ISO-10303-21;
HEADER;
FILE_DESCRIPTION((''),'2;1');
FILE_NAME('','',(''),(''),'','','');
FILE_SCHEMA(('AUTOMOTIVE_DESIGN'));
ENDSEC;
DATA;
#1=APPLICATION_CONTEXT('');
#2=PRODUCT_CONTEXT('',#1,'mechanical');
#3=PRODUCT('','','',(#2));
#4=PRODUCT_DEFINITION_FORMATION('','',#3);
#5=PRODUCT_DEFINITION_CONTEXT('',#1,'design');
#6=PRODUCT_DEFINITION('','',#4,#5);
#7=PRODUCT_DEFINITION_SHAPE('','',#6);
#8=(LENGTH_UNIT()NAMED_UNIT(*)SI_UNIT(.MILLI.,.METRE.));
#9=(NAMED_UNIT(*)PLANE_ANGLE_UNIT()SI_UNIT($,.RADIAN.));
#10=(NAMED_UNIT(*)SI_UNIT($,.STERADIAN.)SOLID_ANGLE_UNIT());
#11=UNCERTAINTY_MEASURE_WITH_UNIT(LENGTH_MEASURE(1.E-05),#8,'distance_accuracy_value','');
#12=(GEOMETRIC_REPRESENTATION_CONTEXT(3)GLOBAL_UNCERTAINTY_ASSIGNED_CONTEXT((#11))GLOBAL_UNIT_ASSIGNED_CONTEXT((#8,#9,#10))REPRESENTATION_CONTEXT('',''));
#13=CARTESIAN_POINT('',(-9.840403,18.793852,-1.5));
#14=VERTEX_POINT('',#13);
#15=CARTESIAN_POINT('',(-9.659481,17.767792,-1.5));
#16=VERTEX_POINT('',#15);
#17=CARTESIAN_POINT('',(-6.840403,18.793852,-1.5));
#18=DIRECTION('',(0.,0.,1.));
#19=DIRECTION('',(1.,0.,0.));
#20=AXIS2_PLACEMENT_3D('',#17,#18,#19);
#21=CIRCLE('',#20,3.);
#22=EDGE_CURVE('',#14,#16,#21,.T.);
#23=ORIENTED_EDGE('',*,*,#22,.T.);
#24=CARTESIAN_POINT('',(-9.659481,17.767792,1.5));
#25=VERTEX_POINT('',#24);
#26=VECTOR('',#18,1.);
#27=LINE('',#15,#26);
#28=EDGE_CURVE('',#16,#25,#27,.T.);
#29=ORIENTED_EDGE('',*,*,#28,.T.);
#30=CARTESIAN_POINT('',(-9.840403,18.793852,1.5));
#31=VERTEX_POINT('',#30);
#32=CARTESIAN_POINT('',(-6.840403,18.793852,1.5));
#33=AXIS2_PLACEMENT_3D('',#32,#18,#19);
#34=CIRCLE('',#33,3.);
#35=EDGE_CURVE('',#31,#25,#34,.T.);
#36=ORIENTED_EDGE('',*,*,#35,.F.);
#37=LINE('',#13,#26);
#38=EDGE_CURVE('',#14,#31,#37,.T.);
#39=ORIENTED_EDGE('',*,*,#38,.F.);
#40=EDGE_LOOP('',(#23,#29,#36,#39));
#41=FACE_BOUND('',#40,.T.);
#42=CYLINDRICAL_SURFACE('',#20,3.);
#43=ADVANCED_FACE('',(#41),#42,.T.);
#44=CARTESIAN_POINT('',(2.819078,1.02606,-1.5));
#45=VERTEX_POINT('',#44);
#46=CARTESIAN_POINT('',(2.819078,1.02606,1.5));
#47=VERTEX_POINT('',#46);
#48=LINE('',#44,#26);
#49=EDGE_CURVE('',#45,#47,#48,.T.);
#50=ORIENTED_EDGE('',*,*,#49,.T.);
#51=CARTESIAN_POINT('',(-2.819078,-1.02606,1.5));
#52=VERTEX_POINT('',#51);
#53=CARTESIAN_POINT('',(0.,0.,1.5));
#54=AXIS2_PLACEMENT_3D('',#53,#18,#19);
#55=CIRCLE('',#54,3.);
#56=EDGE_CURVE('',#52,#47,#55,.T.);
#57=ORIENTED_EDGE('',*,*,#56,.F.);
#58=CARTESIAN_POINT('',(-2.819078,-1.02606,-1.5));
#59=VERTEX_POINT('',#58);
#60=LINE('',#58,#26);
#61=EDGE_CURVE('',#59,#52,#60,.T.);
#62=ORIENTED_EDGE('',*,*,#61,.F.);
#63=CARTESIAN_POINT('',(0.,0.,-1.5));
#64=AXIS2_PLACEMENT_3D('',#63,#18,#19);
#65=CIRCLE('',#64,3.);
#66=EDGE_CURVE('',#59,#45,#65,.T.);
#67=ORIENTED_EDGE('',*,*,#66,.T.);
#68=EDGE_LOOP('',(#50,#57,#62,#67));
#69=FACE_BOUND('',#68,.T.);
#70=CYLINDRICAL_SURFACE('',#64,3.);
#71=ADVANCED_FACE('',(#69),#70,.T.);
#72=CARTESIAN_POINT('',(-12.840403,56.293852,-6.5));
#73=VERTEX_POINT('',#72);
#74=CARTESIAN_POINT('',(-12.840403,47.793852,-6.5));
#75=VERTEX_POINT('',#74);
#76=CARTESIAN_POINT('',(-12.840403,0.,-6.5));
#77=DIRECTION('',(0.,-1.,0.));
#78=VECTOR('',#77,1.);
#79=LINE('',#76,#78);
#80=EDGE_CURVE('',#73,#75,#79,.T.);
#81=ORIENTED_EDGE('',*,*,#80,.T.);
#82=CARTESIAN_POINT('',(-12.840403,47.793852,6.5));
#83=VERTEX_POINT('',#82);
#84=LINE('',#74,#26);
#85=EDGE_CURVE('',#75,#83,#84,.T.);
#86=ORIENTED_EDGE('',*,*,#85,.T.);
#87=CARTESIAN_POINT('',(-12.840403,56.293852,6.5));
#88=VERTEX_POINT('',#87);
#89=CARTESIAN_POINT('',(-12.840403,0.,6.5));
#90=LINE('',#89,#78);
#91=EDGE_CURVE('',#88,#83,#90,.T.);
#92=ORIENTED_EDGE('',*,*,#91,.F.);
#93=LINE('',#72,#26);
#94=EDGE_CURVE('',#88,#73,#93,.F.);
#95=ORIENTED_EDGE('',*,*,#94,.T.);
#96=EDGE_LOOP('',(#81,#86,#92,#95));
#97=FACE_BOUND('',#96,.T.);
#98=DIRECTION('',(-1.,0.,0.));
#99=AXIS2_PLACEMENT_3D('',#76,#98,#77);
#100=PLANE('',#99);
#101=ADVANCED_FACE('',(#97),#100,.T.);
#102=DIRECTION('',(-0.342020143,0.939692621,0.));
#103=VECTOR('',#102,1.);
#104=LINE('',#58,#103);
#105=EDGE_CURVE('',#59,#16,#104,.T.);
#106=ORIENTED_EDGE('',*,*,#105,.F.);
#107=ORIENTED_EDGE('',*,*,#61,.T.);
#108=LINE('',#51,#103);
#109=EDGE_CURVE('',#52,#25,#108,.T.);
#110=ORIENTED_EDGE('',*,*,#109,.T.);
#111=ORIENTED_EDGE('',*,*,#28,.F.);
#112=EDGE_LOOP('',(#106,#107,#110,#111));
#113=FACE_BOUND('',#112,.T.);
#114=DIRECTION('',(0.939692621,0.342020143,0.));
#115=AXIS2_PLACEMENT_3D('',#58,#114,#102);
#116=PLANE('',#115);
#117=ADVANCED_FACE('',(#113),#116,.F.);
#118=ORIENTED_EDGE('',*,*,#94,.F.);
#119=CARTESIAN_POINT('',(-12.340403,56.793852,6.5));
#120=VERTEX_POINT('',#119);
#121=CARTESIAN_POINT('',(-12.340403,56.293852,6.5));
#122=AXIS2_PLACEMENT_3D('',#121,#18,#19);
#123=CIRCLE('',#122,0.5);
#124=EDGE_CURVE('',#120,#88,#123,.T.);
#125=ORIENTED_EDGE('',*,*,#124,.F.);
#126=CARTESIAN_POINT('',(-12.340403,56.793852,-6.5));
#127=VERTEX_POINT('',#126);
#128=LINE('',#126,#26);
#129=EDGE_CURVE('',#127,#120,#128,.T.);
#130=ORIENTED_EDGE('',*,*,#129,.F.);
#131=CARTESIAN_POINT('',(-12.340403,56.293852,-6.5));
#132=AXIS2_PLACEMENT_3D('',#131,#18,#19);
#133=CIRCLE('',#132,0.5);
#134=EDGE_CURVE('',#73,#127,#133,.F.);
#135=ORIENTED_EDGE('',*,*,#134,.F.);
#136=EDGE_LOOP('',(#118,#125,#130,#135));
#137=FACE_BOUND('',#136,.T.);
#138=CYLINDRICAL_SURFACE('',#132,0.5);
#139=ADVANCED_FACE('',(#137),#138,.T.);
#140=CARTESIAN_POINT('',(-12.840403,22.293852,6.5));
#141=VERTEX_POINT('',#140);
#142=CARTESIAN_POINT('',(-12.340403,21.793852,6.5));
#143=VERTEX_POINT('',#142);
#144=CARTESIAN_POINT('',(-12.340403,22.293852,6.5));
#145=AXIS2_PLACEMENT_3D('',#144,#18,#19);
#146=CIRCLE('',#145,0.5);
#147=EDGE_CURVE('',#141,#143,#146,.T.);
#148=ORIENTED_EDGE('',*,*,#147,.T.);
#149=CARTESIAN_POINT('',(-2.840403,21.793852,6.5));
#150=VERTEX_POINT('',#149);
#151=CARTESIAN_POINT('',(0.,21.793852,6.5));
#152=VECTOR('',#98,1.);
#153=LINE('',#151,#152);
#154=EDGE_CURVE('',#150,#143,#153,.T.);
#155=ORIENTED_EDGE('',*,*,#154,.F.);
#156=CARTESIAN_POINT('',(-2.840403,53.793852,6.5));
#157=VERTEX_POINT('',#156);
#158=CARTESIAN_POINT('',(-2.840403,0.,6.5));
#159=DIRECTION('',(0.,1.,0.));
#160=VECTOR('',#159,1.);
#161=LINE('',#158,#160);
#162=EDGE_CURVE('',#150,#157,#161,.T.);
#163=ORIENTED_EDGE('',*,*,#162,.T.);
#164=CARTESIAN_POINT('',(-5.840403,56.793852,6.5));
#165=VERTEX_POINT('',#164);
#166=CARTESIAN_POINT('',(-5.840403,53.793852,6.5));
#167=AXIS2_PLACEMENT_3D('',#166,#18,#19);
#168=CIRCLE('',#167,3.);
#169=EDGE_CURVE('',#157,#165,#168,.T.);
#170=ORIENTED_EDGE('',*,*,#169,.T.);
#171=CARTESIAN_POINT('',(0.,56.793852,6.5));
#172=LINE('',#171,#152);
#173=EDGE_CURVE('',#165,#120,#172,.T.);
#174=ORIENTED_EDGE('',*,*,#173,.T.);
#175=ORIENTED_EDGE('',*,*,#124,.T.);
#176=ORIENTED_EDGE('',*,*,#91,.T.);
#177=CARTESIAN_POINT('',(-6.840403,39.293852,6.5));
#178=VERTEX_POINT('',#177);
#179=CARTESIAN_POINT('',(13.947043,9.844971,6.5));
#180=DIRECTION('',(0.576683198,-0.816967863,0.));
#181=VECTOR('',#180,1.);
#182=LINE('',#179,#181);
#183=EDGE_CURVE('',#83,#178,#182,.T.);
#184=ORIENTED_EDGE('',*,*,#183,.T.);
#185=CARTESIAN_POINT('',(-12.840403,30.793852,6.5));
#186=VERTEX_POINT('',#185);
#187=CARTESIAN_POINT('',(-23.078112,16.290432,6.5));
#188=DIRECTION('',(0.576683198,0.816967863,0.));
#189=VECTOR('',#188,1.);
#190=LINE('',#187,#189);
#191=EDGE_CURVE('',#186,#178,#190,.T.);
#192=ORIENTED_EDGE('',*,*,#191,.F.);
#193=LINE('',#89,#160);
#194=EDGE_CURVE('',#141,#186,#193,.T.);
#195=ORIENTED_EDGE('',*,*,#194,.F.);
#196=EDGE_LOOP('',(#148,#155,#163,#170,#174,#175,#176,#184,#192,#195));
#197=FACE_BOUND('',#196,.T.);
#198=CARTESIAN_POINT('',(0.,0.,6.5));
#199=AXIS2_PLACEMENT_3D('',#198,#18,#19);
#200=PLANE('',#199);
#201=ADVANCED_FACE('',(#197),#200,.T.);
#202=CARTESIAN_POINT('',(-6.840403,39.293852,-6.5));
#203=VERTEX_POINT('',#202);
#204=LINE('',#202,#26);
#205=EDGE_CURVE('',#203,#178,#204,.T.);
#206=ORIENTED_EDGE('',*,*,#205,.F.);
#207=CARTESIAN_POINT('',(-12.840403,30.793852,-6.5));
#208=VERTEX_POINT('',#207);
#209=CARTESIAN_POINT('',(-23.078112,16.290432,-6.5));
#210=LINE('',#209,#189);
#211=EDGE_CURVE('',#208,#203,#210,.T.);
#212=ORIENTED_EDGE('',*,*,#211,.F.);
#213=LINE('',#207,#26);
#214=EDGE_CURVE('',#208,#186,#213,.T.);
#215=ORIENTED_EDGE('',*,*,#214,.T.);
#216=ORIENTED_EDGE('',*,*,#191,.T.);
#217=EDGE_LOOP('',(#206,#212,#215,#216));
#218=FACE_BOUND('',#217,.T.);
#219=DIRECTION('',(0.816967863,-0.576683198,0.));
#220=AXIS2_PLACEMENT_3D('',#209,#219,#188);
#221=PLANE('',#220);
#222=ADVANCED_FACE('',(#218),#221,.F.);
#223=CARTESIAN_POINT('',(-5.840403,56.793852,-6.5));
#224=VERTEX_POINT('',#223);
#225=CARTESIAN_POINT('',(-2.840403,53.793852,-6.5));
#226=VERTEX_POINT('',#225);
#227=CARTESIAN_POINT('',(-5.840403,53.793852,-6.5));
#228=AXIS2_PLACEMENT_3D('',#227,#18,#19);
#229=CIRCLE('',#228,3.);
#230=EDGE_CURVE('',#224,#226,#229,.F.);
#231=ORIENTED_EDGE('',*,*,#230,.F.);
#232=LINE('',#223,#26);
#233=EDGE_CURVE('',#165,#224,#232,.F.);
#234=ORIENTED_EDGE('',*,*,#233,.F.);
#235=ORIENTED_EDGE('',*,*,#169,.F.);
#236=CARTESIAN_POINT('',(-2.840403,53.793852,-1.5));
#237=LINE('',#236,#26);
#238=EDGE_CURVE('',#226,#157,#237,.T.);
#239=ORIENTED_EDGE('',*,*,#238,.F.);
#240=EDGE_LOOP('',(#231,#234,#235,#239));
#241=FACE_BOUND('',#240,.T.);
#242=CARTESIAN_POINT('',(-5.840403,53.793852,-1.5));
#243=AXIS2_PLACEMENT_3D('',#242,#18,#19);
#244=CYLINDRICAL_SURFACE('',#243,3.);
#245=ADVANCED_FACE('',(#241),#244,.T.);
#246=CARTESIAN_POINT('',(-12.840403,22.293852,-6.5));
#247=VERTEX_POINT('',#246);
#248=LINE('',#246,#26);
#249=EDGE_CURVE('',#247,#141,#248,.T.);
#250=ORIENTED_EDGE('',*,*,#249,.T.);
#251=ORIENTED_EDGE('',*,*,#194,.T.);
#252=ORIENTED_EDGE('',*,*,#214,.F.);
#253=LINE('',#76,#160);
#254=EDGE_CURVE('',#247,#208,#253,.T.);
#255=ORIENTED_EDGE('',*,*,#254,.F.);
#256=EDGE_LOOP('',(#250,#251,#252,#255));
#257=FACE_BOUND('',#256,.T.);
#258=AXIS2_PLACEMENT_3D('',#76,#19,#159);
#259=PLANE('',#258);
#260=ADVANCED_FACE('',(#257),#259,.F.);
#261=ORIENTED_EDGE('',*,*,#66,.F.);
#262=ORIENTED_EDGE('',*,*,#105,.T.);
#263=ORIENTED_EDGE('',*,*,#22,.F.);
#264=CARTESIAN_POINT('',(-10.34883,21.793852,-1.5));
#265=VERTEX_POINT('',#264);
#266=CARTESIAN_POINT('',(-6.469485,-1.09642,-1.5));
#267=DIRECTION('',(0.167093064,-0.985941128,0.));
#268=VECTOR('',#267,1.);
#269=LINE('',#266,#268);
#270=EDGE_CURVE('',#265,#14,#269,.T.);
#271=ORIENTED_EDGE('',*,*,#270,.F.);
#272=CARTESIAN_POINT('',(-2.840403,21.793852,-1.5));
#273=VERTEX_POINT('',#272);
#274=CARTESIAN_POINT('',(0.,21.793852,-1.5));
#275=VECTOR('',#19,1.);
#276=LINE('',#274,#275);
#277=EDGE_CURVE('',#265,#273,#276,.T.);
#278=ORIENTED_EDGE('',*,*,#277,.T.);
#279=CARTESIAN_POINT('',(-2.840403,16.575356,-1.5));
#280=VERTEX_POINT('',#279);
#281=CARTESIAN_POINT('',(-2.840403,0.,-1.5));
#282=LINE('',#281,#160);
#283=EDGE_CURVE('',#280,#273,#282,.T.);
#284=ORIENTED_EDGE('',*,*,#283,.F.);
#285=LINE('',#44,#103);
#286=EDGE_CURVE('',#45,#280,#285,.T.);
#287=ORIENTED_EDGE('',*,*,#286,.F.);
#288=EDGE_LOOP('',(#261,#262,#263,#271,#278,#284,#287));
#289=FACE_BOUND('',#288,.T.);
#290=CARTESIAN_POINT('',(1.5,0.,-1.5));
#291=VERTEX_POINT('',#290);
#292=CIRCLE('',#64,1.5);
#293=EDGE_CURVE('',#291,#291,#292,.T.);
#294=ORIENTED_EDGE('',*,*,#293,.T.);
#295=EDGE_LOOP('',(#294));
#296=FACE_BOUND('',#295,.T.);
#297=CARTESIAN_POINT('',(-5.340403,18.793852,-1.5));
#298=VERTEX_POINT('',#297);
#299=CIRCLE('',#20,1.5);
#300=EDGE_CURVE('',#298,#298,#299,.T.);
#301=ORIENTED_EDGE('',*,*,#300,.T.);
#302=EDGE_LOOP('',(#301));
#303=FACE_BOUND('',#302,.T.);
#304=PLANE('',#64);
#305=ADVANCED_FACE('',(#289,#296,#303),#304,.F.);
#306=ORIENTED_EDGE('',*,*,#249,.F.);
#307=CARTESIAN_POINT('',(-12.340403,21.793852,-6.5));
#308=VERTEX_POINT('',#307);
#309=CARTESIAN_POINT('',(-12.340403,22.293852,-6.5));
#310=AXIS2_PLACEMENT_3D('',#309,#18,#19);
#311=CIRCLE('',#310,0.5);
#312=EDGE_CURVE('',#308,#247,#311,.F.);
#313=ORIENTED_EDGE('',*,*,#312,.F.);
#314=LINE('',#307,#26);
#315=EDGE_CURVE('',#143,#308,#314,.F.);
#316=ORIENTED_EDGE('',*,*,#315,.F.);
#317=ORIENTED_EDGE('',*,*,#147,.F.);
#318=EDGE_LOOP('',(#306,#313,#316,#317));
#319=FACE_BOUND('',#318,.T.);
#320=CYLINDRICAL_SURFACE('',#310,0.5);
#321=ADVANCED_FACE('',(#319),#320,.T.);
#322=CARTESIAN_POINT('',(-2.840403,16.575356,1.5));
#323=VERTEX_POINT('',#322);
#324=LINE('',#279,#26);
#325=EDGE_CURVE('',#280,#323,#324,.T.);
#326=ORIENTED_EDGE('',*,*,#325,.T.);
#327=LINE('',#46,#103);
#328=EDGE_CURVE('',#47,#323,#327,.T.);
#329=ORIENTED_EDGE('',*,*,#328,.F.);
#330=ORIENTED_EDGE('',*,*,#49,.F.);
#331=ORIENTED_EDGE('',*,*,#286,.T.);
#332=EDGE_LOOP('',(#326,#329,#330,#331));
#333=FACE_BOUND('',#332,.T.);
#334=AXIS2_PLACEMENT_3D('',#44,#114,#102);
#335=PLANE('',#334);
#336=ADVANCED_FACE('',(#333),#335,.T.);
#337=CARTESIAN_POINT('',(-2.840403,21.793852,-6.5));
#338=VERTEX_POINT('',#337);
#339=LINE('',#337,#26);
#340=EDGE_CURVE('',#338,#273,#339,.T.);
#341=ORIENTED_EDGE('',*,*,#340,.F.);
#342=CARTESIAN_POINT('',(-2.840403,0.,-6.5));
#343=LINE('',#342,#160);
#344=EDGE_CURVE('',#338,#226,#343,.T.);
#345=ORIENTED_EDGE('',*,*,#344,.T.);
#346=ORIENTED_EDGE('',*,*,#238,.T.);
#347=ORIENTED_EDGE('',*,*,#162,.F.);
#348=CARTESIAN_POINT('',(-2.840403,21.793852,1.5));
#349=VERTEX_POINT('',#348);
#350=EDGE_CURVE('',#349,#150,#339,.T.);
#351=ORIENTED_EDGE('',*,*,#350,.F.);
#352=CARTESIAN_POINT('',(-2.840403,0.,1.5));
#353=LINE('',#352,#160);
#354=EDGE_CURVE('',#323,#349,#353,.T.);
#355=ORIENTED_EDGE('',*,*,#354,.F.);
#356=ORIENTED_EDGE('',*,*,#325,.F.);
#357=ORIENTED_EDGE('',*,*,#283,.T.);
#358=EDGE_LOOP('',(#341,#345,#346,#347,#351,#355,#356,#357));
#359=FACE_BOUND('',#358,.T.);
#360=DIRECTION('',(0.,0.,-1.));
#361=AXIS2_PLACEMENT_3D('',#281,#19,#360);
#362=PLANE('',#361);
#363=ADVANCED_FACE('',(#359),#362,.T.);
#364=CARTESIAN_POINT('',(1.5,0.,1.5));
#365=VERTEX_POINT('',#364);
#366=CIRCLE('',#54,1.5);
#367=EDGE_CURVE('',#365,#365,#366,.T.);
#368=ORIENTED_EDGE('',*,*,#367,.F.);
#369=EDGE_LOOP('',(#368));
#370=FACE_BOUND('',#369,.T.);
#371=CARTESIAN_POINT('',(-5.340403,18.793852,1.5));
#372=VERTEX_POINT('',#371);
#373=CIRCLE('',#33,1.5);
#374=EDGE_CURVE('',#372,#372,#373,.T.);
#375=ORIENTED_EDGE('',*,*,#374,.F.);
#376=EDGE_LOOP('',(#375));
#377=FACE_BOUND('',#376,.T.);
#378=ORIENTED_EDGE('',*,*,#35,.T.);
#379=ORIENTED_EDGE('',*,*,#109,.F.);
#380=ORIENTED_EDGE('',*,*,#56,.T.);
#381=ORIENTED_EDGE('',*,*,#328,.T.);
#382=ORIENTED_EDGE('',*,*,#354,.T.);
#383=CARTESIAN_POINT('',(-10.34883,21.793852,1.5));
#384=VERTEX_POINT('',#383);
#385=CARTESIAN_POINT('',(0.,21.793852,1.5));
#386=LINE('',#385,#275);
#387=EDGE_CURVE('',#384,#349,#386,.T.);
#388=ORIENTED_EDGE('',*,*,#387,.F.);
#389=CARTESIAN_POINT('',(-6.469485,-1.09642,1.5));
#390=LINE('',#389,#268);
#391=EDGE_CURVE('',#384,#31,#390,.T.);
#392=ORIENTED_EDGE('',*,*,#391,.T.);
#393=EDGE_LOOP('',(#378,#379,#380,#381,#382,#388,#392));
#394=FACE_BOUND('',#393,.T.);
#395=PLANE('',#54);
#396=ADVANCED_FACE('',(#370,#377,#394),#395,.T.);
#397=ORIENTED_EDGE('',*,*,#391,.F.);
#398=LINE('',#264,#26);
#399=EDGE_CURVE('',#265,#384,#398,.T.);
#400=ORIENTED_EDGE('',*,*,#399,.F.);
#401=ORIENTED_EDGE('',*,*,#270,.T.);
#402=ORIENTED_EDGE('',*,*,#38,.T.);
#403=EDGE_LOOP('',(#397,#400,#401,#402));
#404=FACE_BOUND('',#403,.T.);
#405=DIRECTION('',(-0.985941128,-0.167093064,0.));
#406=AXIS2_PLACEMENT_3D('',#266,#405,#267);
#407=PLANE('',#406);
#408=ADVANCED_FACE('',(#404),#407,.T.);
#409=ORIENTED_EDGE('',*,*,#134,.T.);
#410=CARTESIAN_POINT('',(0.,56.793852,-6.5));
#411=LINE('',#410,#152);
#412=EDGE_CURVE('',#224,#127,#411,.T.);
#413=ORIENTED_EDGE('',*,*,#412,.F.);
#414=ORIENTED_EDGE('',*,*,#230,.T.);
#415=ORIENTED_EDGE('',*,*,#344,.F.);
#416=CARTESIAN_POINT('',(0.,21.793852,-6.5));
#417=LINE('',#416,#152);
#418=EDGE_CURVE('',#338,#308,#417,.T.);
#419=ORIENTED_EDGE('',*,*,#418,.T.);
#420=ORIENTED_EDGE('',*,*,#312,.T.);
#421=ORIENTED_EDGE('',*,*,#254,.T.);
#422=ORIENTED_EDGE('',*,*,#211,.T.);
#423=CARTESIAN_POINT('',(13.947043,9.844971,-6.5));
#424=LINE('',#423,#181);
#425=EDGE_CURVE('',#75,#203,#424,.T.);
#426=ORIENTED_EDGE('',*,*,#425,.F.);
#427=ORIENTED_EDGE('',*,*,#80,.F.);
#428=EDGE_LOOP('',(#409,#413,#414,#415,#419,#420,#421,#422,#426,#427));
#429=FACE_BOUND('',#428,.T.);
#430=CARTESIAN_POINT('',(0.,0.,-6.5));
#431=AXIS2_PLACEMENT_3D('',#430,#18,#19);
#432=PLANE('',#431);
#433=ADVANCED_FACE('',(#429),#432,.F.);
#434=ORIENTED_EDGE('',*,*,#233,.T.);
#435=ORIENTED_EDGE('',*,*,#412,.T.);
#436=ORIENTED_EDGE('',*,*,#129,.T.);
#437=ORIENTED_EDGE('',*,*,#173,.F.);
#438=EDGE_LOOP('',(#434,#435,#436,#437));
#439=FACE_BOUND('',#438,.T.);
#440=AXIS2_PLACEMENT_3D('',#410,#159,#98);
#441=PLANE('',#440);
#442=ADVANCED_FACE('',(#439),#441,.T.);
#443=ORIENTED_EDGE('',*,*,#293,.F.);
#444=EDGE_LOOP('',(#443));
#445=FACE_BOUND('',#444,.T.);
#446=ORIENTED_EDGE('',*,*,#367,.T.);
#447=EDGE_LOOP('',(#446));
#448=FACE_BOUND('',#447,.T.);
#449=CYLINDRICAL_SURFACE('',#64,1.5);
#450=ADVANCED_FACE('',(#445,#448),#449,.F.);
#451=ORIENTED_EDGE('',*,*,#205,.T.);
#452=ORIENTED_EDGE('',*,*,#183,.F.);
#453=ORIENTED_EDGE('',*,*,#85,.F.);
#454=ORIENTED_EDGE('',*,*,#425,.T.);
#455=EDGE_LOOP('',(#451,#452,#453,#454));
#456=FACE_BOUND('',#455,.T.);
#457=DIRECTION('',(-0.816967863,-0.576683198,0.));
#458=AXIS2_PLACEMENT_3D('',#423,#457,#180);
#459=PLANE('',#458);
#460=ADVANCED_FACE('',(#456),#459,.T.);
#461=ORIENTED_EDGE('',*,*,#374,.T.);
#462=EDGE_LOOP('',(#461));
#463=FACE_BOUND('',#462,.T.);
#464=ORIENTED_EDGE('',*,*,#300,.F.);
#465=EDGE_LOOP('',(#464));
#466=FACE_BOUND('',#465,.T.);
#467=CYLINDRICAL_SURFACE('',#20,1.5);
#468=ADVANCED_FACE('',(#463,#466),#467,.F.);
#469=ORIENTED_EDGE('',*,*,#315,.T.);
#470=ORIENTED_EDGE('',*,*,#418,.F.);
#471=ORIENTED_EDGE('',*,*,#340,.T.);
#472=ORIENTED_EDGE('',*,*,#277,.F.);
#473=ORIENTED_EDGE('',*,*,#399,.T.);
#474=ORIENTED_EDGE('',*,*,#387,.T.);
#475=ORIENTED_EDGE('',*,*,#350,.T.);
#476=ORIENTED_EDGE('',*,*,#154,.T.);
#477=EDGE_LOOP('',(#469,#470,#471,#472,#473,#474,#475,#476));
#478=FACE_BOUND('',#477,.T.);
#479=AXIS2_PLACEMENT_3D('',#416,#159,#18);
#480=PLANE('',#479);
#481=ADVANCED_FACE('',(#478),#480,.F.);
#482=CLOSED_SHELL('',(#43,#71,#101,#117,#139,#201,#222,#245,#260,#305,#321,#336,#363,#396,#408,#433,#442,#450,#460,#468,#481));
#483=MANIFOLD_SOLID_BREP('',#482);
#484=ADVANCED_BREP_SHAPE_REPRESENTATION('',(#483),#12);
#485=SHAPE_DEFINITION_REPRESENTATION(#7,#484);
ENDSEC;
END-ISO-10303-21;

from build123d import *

# Parameters (mm, degrees)
ESTRUSIONE_ESTRUSIONE1_DEPTH      = 1.5
ESTRUSIONE_ESTRUSIONE1_DEPTH_BACK = 1.5
SCHIZZO2_R                        = 1.5
ESTRUSIONE_ESTRUSIONE2_DEPTH      = 6.5
ESTRUSIONE_ESTRUSIONE2_DEPTH_BACK = 6.5
RACCORDO1_R                       = 3
RACCORDO2_R                       = 0.5
RACCORDO3_R                       = 0.5


with BuildPart() as part:
    # Schizzo2 → Estrusione-Estrusione1 (new, two sides: drawn at the far end of the back side and taken through both)
    with BuildSketch(Plane.XY.offset(-ESTRUSIONE_ESTRUSIONE1_DEPTH_BACK)):
        with BuildLine():
            Line((-9.659480729, 17.767791986), (-2.819077862, -1.02606043))
            ThreePointArc((-2.819077862, -1.02606043), (1.02606043, -2.819077862), (2.819077862, 1.02606043))
            Line((2.819077862, 1.02606043), (-2.840402867, 16.575355938))
            Line((-2.840402867, 16.575355938), (-2.840402867, 21.793852416))
            Line((-2.840402867, 21.793852416), (-10.348829971, 21.793852416))
            Line((-10.348829971, 21.793852416), (-9.840402867, 18.793852416))
            ThreePointArc((-9.840402867, 18.793852416), (-9.794826126, 18.272907883), (-9.659480729, 17.767791986))
        make_face()
        with Locations((-6.840402867, 18.793852416)):
            Circle(SCHIZZO2_R, mode=Mode.SUBTRACT)
        Circle(SCHIZZO2_R, mode=Mode.SUBTRACT)
    extrude(amount=ESTRUSIONE_ESTRUSIONE1_DEPTH + ESTRUSIONE_ESTRUSIONE1_DEPTH_BACK)

    # Schizzo2<10> → Estrusione-Estrusione2 (add, two sides: drawn at the far end of the back side and taken through both)
    with BuildSketch(Plane.XY.offset(-ESTRUSIONE_ESTRUSIONE2_DEPTH_BACK)):
        Polygon((-12.840402867, 21.793852416), (-10.348829971, 21.793852416), (-6.840402867, 21.793852416), (-2.840402867, 21.793852416), (-2.840402867, 56.793852416), (-12.840402867, 56.793852416), (-12.840402867, 47.793852416), (-6.840402867, 39.293852416), (-12.840402867, 30.793852416), align=None)
    extrude(amount=ESTRUSIONE_ESTRUSIONE2_DEPTH + ESTRUSIONE_ESTRUSIONE2_DEPTH_BACK)

    # Raccordo1
    raccordo1_edges = [part.edges().sort_by_distance(p)[0] for p in [
        (-2.840402867, 56.793852416, 0),
    ]]
    fillet(raccordo1_edges, radius=RACCORDO1_R)

    # Raccordo2
    raccordo2_edges = [part.edges().sort_by_distance(p)[0] for p in [
        (-12.840402867, 21.793852416, 0),
    ]]
    fillet(raccordo2_edges, radius=RACCORDO2_R)

    # Raccordo3
    raccordo3_edges = [part.edges().sort_by_distance(p)[0] for p in [
        (-12.840402867, 56.793852416, 0),
    ]]
    fillet(raccordo3_edges, radius=RACCORDO3_R)


solid = part.part
